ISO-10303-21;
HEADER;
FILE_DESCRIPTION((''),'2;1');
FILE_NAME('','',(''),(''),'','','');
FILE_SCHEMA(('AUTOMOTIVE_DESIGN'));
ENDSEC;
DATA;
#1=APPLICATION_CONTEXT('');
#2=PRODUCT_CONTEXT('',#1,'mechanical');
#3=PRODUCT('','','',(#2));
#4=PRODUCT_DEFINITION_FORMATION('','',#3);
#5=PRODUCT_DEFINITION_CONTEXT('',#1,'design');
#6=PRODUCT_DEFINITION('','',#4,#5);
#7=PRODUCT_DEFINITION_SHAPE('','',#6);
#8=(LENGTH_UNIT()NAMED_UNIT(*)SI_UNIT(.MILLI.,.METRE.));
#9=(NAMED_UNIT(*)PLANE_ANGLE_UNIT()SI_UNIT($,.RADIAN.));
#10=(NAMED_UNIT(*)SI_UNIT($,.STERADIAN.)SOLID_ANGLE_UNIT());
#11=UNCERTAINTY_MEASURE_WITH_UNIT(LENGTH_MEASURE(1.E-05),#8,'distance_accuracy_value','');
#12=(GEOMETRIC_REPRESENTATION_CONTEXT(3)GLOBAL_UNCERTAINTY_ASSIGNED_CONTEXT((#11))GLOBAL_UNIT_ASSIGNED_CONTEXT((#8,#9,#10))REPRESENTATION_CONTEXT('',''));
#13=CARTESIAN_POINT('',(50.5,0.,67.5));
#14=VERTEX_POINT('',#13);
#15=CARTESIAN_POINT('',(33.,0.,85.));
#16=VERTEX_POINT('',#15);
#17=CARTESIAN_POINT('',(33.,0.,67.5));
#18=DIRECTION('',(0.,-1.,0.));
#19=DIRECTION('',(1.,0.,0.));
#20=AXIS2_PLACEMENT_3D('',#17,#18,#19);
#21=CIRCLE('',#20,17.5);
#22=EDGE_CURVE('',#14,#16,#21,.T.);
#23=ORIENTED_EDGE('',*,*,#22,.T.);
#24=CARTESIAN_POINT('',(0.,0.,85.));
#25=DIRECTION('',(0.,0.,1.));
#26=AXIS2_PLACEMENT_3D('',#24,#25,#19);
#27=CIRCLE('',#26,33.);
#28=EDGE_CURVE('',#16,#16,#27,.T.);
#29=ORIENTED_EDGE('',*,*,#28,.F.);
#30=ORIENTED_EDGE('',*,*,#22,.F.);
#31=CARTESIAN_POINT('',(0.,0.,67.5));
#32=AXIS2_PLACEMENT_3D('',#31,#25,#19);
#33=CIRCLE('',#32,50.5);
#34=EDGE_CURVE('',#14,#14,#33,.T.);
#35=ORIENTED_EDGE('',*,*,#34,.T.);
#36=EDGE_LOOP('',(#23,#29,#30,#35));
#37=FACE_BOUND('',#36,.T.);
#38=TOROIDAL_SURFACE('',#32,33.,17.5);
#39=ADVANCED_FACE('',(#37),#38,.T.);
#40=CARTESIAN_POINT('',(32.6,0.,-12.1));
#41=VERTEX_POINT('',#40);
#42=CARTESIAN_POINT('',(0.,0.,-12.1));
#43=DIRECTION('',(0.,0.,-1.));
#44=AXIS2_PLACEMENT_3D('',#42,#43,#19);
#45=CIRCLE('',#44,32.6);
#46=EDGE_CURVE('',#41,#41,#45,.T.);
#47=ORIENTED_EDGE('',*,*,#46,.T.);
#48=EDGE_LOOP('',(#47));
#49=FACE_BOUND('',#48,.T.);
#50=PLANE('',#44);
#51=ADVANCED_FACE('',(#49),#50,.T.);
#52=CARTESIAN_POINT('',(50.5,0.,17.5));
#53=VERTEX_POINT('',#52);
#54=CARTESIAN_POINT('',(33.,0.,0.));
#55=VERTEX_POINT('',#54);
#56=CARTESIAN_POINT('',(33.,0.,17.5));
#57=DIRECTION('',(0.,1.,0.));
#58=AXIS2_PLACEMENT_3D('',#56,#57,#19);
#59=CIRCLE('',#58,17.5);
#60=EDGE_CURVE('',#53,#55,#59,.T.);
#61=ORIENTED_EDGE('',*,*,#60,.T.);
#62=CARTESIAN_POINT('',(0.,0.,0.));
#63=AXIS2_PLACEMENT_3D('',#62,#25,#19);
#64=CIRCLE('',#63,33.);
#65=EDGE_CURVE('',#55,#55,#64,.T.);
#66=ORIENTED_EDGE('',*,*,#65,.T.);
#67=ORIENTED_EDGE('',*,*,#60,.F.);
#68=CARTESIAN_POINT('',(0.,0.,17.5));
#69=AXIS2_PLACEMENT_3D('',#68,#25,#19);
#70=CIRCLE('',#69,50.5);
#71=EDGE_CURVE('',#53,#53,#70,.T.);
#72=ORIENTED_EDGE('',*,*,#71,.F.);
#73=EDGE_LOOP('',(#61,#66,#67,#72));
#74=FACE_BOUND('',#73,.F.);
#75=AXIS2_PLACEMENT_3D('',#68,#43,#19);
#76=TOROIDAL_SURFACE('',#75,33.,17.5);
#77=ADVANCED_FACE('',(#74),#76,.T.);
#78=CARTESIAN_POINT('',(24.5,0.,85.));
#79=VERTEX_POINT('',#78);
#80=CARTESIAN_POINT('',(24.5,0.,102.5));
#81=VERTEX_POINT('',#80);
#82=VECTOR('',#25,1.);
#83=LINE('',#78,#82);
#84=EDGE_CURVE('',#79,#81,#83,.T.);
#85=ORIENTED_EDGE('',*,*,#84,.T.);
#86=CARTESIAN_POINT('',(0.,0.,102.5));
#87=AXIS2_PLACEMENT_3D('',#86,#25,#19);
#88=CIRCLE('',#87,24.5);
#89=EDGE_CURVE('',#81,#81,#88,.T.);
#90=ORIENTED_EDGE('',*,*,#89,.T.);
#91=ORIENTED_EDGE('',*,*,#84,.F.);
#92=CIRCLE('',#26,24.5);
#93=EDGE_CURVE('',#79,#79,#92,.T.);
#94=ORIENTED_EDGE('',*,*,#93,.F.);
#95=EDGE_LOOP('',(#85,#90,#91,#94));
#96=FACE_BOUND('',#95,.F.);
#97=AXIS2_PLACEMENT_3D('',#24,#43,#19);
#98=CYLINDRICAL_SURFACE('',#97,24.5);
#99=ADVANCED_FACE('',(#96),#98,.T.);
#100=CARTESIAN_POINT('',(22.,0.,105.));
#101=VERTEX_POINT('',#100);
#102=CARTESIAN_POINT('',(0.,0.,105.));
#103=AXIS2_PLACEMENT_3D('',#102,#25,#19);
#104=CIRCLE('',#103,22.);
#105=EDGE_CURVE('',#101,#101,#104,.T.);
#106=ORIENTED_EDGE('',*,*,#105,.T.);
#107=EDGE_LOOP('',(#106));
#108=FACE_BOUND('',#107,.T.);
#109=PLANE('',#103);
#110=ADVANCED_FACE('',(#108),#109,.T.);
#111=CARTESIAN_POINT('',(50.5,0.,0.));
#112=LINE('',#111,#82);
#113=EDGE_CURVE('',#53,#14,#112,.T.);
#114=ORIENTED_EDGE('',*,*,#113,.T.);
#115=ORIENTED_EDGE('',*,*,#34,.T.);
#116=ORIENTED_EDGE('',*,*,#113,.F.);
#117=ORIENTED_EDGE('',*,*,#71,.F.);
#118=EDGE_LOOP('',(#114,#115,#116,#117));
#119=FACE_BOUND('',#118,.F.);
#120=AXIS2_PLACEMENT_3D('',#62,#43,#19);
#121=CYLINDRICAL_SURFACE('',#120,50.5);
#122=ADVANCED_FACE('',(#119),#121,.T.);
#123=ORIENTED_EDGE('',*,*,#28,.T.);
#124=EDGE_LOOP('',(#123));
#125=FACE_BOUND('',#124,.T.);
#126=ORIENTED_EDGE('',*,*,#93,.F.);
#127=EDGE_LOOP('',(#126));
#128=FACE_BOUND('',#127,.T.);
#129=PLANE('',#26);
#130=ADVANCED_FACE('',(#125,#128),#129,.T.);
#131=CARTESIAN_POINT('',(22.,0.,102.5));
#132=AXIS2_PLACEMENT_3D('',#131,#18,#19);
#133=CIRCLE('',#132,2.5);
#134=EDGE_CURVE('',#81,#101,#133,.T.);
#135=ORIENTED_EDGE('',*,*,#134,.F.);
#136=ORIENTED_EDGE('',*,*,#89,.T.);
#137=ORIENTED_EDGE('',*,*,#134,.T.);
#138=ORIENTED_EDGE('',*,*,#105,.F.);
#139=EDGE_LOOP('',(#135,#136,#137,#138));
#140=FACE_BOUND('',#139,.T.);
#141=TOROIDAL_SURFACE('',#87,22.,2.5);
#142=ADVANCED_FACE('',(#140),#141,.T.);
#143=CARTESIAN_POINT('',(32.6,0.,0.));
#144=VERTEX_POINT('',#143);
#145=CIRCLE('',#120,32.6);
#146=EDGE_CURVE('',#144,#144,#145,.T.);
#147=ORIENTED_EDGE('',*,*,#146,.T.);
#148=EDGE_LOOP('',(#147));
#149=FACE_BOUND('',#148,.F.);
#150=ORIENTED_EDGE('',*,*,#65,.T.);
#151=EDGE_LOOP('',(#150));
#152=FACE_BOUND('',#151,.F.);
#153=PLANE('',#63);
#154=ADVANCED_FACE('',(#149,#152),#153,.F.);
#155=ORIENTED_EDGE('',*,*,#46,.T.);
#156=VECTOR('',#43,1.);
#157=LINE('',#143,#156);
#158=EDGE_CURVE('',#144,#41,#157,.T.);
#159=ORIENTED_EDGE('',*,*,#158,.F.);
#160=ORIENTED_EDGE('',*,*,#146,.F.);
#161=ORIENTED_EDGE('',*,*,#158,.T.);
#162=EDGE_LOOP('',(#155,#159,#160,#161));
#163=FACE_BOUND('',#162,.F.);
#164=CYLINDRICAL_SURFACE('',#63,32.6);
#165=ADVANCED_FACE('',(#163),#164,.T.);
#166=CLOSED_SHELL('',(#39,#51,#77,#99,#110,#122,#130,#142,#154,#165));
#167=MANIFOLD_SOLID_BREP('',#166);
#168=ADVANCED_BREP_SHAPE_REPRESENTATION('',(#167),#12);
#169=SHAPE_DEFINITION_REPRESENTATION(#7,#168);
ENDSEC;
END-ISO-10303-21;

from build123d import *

# Parameters (mm, degrees)
F0_R     = 50.5
F1_DEPTH = 85
F2_R     = 17.5
F3_R     = 24.5
F4_DEPTH = 20
F5_R     = 2.5
F6_R     = 32.6
F7_DEPTH = 12.1


with BuildPart() as f1:
    # F0 (on Top) → F1 (new body)
    with BuildSketch(Plane.XY):
        Circle(F0_R)
    extrude(amount=F1_DEPTH)

    # F2
    f2_edges = [f1.edges().sort_by_distance(p)[0] for p in [
        (50.5, 0, 42.5),
        (-50.5, 0, 0),
        (-50.5, 0, 85),
    ]]
    fillet(f2_edges, radius=F2_R)

    # F3 (on face) → F4 (join)
    with BuildSketch(Plane.XY.offset(85)):
        Circle(F3_R)
    extrude(amount=F4_DEPTH)

    # F5
    f5_edges = [f1.edges().sort_by_distance(p)[0] for p in [
        (-24.5, 0, 105),
    ]]
    fillet(f5_edges, radius=F5_R)

    # F6 (on face) → F7 (join)
    with BuildSketch(Plane(origin=(0, 0, 0), x_dir=(1, 0, 0), z_dir=(0, 0, -1))):
        Circle(F6_R)
    extrude(amount=F7_DEPTH)


solid = f1.part
